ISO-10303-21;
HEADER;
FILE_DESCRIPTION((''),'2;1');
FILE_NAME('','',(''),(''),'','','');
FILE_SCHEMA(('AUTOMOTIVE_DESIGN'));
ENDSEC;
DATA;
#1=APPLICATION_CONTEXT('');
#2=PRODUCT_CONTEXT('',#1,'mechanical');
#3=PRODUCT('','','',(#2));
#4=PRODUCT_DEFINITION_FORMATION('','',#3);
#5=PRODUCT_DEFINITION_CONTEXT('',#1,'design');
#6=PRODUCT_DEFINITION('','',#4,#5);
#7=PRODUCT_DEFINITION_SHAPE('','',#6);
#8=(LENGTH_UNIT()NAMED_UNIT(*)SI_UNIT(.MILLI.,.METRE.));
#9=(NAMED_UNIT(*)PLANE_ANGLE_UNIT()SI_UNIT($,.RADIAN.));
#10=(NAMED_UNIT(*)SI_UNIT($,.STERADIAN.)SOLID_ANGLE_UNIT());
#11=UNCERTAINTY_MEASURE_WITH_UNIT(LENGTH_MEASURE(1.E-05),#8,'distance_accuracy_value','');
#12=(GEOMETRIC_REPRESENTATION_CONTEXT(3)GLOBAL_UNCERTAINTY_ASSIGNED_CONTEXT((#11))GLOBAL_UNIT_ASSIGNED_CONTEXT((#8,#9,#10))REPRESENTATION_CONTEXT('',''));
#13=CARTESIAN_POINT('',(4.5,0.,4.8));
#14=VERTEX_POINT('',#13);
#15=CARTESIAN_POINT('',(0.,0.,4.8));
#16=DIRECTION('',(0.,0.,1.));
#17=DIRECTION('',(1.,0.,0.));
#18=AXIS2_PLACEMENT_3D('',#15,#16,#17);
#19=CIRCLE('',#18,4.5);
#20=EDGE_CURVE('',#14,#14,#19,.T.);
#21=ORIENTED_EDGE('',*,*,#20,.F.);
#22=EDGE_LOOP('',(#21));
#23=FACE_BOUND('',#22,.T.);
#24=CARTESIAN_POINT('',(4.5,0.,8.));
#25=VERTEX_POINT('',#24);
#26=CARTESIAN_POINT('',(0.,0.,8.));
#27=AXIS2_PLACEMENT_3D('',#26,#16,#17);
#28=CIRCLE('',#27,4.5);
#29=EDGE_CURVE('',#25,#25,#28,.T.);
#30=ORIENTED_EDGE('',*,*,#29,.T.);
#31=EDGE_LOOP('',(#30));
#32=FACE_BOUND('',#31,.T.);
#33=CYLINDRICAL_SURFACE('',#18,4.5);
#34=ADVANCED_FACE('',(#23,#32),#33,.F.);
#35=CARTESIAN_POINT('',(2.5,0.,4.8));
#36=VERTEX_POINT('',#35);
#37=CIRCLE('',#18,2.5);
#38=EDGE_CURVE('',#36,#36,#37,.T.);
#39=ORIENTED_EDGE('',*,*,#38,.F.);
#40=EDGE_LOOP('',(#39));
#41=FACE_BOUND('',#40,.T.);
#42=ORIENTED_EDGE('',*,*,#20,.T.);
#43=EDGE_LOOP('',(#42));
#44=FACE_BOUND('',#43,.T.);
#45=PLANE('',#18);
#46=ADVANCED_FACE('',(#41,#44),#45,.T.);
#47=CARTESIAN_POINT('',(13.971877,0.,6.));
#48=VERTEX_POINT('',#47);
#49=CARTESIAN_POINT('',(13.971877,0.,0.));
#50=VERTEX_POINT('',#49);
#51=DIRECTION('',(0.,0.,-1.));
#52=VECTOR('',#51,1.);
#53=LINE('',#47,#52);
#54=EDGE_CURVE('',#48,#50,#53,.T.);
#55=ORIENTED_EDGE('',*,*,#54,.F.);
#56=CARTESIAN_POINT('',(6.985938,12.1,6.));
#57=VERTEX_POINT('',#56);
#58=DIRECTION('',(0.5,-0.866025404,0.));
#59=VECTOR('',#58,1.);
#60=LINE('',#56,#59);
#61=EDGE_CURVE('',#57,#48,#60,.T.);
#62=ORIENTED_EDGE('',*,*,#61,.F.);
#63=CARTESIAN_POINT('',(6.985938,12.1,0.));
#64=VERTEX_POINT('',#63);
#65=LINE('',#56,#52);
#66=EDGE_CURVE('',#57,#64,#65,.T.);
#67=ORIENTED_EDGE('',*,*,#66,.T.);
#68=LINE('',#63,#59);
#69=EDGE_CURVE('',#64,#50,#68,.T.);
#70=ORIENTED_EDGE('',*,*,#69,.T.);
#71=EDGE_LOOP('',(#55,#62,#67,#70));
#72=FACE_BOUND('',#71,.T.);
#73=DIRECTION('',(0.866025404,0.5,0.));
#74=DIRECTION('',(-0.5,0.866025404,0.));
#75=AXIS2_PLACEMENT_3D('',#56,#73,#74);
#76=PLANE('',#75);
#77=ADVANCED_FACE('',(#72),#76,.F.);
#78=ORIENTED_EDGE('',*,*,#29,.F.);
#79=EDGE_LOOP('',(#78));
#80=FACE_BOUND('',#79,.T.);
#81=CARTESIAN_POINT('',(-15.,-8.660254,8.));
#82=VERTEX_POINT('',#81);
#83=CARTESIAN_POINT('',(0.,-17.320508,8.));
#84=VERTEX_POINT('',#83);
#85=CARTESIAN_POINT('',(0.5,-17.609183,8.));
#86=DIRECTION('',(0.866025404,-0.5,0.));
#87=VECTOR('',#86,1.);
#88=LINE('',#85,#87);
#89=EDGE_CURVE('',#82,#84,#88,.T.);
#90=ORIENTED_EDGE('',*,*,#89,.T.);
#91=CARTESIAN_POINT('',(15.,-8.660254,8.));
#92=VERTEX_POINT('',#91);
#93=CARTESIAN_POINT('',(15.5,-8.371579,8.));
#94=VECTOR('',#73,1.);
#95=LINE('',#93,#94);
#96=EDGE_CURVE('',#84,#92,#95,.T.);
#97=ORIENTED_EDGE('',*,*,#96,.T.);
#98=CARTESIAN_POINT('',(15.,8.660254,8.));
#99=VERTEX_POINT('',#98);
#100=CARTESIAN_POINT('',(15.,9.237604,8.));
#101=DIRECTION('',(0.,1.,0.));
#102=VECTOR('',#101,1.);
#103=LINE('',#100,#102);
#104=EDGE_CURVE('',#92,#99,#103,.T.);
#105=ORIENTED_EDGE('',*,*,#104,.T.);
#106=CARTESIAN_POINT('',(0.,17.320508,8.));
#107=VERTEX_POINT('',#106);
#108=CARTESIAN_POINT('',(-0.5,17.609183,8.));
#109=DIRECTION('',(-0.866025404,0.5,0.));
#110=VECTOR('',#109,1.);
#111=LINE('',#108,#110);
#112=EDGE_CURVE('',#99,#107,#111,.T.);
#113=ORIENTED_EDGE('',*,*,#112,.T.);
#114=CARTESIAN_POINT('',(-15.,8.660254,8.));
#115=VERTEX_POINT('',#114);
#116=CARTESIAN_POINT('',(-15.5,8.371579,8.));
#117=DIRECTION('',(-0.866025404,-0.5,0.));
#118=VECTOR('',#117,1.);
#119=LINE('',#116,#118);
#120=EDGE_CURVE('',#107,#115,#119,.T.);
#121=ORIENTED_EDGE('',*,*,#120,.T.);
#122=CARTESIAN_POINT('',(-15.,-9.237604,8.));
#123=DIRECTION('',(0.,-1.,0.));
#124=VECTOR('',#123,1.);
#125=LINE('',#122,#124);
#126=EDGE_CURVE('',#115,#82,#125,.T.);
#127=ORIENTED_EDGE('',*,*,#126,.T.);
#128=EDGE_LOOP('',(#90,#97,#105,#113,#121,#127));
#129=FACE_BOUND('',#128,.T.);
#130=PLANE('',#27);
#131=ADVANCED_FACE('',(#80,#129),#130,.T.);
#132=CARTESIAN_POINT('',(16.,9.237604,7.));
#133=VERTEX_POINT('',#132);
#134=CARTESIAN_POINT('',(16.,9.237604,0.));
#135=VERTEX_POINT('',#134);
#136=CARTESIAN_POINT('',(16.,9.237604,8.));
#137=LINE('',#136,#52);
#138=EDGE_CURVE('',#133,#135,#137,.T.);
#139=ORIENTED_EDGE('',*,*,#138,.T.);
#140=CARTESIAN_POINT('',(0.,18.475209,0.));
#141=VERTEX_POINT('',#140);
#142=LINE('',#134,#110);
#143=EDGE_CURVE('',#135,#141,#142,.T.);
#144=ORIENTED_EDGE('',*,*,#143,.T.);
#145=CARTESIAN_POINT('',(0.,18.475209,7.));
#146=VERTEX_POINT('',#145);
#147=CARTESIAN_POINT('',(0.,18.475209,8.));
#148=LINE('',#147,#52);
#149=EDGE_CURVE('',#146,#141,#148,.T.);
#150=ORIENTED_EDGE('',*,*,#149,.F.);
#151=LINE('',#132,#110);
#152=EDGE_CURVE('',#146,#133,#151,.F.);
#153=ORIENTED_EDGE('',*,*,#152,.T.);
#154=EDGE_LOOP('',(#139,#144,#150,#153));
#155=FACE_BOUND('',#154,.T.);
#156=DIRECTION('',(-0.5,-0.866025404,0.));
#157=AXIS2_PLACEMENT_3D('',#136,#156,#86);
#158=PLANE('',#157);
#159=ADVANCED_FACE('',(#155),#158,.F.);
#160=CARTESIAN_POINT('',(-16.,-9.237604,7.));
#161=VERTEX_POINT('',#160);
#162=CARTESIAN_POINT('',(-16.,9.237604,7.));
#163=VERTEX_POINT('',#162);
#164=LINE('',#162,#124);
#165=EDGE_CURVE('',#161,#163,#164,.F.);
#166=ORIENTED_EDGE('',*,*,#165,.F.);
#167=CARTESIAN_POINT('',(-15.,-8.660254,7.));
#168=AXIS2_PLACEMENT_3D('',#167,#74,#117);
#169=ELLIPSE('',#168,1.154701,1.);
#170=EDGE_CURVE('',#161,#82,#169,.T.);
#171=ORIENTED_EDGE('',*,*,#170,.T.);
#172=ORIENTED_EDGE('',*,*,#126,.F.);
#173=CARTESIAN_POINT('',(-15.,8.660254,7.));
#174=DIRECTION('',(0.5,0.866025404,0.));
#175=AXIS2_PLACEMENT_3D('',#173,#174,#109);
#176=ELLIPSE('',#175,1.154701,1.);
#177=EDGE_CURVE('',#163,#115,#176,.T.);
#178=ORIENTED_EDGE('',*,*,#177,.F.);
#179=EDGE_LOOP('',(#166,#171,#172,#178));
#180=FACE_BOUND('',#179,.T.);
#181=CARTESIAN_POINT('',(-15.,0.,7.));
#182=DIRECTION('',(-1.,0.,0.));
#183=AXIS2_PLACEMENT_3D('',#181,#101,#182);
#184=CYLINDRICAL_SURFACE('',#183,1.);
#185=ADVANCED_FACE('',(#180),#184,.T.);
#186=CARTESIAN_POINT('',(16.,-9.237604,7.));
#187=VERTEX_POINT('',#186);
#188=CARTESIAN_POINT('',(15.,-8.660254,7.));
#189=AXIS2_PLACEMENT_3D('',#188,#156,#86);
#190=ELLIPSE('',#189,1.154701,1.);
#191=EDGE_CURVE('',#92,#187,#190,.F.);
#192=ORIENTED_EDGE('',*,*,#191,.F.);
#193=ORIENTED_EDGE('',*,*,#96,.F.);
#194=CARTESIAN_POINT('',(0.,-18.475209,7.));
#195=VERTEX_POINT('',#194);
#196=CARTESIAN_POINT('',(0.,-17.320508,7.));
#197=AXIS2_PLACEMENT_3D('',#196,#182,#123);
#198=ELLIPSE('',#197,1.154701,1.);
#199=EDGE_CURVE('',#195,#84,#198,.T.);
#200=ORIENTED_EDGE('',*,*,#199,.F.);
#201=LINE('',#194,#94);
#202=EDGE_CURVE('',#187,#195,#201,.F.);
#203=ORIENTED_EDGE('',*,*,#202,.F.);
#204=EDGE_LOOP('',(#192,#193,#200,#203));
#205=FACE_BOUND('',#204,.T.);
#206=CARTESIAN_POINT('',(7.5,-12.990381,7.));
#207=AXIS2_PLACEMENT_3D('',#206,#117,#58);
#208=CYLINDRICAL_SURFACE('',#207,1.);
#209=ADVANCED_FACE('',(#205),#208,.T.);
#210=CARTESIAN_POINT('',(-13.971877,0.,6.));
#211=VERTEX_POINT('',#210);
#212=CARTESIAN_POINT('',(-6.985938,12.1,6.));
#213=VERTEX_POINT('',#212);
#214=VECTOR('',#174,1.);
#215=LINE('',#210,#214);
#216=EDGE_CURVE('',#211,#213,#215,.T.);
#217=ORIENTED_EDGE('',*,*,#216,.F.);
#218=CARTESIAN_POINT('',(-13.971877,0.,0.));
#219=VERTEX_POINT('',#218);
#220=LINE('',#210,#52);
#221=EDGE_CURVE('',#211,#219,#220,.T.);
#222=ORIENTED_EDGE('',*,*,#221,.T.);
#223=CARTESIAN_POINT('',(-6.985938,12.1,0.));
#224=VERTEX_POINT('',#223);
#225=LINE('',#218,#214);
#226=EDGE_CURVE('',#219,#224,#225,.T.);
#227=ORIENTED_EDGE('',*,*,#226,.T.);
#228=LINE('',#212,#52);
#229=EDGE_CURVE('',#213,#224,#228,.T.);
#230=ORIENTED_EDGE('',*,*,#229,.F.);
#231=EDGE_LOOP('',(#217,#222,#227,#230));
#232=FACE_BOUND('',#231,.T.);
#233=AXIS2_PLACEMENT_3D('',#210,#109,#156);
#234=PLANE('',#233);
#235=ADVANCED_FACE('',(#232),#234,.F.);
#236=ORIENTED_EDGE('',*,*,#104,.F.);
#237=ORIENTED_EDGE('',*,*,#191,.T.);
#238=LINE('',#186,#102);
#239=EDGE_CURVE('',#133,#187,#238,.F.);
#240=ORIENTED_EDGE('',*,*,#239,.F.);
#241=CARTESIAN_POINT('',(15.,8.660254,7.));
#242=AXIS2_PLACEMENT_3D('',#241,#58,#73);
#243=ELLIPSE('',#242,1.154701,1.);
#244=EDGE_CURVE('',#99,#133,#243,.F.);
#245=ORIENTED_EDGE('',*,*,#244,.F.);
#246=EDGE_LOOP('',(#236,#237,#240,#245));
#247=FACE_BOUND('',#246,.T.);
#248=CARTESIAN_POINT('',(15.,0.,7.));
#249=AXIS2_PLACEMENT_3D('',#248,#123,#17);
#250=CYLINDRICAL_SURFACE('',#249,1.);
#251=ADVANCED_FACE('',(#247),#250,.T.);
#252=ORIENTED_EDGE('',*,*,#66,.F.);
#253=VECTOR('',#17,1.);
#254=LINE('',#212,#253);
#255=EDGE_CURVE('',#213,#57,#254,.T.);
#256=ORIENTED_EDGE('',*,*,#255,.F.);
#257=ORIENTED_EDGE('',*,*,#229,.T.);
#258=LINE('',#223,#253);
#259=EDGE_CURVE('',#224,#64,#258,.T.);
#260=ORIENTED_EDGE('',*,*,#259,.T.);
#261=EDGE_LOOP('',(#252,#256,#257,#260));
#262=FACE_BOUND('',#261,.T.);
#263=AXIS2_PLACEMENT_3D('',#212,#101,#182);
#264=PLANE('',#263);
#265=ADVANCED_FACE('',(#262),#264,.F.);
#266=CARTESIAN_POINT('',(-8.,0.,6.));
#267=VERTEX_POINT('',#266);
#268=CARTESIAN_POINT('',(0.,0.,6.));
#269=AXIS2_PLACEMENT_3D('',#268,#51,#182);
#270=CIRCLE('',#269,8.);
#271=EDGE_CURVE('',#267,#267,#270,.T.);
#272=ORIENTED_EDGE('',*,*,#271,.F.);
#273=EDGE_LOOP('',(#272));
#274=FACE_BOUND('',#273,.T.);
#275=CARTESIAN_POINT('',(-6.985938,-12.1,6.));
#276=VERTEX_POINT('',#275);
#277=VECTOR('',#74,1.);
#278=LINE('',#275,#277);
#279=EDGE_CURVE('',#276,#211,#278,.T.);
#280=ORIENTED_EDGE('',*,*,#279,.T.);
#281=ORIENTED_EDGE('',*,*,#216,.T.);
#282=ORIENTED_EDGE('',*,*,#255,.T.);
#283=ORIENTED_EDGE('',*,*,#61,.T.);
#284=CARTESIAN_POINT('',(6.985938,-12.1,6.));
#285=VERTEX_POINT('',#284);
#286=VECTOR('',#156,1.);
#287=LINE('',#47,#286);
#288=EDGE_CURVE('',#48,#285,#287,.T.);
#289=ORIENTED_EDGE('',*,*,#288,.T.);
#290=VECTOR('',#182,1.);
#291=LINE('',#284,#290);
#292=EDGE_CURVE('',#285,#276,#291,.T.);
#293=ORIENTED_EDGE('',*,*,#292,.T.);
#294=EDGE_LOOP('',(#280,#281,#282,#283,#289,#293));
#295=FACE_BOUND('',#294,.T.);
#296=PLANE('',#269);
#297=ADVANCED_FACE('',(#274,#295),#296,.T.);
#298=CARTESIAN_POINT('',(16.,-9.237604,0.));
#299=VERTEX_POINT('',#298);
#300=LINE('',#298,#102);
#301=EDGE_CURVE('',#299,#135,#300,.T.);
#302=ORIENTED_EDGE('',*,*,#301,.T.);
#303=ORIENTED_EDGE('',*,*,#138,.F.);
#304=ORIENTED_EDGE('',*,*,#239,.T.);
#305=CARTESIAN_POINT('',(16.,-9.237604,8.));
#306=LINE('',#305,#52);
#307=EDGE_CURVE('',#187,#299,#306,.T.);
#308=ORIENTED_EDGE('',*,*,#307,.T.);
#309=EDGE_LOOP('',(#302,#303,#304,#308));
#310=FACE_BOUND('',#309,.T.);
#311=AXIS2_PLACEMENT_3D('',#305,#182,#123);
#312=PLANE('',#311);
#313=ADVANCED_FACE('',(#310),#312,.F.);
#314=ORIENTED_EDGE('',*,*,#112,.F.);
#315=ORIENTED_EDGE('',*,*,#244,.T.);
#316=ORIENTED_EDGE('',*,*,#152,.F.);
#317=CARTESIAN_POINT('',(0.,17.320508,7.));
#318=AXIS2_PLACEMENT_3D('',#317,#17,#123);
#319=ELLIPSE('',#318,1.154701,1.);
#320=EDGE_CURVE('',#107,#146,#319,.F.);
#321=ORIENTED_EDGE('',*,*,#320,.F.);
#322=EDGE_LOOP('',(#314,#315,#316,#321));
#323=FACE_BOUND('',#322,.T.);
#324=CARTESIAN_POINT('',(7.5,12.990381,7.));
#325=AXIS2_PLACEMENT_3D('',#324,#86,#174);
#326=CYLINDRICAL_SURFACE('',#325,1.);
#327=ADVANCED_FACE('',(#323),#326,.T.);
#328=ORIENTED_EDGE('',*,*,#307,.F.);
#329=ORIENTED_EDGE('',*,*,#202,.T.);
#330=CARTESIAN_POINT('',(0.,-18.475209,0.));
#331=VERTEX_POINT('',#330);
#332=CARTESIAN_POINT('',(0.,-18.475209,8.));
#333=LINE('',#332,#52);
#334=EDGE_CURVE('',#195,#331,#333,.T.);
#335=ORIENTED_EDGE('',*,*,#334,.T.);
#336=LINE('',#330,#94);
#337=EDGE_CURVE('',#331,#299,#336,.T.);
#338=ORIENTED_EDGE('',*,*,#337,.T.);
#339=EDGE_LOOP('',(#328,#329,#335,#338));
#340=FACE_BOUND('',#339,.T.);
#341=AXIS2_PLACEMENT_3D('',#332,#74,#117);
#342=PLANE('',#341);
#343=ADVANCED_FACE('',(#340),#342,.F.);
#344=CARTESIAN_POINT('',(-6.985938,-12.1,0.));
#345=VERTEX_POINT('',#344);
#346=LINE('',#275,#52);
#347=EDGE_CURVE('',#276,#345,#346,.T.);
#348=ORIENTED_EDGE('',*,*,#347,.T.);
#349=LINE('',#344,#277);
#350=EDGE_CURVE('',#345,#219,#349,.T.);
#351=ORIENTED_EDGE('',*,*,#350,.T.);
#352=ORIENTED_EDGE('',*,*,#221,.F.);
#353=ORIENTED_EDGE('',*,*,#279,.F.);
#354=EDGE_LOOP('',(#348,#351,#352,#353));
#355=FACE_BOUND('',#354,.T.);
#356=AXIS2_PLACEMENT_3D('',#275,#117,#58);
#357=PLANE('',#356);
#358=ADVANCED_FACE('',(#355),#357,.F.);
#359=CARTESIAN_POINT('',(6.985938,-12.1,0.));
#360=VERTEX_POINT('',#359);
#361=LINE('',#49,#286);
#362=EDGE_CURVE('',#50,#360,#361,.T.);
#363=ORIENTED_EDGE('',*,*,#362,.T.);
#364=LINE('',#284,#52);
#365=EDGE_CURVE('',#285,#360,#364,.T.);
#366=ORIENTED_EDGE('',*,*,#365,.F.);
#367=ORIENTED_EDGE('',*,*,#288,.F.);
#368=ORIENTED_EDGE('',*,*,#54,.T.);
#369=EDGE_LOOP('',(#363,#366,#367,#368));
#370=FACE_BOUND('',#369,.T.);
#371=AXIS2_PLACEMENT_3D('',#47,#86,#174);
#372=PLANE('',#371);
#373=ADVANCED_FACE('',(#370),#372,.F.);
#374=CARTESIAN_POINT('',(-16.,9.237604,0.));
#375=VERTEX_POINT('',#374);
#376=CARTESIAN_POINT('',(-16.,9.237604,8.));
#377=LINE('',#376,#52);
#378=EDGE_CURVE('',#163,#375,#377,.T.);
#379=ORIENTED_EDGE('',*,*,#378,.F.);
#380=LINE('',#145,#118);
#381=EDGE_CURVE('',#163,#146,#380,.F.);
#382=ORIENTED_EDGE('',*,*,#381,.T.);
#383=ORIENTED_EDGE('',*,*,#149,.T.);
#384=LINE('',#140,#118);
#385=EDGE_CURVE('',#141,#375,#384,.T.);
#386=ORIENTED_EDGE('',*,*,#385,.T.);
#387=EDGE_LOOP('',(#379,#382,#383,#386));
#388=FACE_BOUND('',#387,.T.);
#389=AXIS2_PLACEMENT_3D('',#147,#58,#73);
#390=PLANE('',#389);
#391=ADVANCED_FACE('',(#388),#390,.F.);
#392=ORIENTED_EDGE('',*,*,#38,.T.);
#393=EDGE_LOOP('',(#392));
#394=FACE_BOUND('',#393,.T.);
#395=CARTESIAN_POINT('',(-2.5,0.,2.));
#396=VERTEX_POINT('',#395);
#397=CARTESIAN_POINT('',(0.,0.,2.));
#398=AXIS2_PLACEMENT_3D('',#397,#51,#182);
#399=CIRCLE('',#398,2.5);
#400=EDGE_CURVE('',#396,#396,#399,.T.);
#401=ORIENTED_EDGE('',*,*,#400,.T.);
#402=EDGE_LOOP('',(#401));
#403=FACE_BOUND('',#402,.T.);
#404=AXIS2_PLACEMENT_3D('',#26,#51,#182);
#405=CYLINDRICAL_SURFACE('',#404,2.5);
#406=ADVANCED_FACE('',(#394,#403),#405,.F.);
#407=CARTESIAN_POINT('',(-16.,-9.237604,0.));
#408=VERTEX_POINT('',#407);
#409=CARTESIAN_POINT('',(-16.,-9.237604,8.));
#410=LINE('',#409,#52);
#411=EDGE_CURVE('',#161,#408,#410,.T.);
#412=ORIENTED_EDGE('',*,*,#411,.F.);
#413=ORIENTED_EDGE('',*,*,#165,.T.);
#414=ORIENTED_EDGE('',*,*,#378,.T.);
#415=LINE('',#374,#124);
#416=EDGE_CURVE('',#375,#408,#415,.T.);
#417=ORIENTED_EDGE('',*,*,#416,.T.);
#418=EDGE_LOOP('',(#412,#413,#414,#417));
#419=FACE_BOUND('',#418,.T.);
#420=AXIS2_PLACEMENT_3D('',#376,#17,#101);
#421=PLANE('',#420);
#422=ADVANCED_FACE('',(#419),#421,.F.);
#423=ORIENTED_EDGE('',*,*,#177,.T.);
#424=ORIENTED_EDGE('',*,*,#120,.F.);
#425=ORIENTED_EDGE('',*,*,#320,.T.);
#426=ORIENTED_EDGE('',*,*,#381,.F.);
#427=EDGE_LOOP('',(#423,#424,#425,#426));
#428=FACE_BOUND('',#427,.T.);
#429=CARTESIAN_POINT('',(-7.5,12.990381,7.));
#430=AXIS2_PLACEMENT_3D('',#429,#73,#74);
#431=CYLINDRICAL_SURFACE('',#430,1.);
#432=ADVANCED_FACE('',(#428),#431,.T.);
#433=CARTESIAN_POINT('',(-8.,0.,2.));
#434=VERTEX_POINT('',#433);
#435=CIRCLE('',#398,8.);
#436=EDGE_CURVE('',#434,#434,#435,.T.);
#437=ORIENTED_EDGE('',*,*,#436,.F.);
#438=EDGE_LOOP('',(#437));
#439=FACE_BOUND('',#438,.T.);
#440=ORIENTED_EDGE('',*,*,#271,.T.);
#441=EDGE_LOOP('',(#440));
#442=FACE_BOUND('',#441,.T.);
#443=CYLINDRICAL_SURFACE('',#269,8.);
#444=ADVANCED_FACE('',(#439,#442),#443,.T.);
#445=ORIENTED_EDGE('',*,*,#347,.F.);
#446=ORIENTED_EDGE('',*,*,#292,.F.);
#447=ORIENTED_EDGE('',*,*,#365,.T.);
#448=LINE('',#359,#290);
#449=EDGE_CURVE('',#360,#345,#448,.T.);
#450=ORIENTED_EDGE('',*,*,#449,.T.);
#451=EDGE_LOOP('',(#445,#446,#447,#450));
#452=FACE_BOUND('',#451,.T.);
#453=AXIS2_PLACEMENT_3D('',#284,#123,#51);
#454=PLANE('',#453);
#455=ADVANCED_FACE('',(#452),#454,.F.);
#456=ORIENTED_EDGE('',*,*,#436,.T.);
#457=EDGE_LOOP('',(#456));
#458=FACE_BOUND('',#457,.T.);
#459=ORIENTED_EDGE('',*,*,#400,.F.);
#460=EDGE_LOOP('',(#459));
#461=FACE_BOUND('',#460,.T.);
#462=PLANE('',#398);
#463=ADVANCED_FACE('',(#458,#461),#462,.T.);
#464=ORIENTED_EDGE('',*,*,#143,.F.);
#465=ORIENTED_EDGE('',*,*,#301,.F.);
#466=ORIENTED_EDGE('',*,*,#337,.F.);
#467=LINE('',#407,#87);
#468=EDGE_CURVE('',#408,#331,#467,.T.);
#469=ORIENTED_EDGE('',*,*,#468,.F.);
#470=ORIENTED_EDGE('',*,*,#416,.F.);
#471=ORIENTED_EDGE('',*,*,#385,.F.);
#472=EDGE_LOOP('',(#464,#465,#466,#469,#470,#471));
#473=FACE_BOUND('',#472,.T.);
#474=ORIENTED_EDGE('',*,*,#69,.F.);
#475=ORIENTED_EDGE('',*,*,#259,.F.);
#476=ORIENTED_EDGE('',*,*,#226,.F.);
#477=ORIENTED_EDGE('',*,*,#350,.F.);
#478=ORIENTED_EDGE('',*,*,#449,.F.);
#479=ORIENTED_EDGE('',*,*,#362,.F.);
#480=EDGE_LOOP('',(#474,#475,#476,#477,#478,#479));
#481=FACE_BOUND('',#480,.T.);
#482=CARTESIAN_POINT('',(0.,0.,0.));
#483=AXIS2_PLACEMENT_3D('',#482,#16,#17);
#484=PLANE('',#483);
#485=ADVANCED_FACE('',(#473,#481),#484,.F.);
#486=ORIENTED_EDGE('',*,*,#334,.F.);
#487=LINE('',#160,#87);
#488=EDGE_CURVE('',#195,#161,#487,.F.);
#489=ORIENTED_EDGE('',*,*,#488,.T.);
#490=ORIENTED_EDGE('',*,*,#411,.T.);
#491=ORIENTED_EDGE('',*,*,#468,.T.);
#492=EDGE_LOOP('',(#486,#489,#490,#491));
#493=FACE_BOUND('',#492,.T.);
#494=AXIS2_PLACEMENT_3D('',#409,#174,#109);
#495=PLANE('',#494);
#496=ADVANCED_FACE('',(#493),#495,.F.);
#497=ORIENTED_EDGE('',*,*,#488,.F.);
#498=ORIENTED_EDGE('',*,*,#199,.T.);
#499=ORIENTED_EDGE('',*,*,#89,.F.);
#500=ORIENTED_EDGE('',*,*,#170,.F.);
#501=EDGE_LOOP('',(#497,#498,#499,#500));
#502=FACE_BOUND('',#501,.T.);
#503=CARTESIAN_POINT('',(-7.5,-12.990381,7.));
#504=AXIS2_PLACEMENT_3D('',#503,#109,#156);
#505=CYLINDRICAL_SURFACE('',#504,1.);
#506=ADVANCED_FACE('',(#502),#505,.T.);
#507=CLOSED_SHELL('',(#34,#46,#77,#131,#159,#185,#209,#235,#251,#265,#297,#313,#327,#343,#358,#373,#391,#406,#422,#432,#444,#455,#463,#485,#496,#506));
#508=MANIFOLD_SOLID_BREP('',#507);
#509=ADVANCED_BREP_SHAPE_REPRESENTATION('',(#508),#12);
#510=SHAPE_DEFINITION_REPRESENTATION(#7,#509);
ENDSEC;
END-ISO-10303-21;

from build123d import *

# Parameters (mm, degrees)
SKIZZE1_R                       = 2.5
AUFSATZ_LINEAR_AUSTRAGEN1_DEPTH = 8
SKIZZE2_R                       = 4.5
SCHNITT_LINEAR_AUSTRAGEN1_DEPTH = 3.2
SKIZZE3_R                       = 8
SCHNITT_LINEAR_AUSTRAGEN2_DEPTH = 6
VERRUNDUNG1_R                   = 1
SKIZZE10_R                      = 8
SCHNITT_LINEAR_AUSTRAGEN3_DEPTH = 2


with BuildPart() as part:
    # Skizze1 → Aufsatz-Linear austragen1 (new body)
    with BuildSketch(Plane.XY):
        Polygon((16, 9.237604307), (0, 18.475208614), (-16, 9.237604307), (-16, -9.237604307), (0, -18.475208614), (16, -9.237604307), align=None)
        Circle(SKIZZE1_R, mode=Mode.SUBTRACT)
    extrude(amount=AUFSATZ_LINEAR_AUSTRAGEN1_DEPTH)

    # Skizze2 → Schnitt-Linear austragen1 (cut)
    with BuildSketch(Plane.XY.offset(8)):
        Circle(SKIZZE2_R)
    extrude(amount=-SCHNITT_LINEAR_AUSTRAGEN1_DEPTH, mode=Mode.SUBTRACT)

    # Skizze3 → Schnitt-Linear austragen2 (cut)
    with BuildSketch(Plane(origin=(0, 0, 0), x_dir=(-1, 0, 0), z_dir=(0, 0, -1))):
        Polygon((13.971876514, 0), (6.985938257, 12.1), (-6.985938257, 12.1), (-13.971876514, 0), (-6.985938257, -12.1), (6.985938257, -12.1), align=None)
        Circle(SKIZZE3_R, mode=Mode.SUBTRACT)
    extrude(amount=-SCHNITT_LINEAR_AUSTRAGEN2_DEPTH, mode=Mode.SUBTRACT)

    # Verrundung1
    verrundung1_edges = [part.edges().sort_by_distance(p)[0] for p in [
        (-8, 13.856406461, 8),
        (-16, 0, 8),
        (-8, -13.856406461, 8),
        (8, -13.856406461, 8),
        (16, 0, 8),
        (8, 13.856406461, 8),
    ]]
    fillet(verrundung1_edges, radius=VERRUNDUNG1_R)

    # Skizze10 → Schnitt-Linear austragen3 (cut)
    with BuildSketch(Plane(origin=(0, 0, 0), x_dir=(-1, 0, 0), z_dir=(0, 0, -1))):
        Circle(SKIZZE10_R)
    extrude(amount=-SCHNITT_LINEAR_AUSTRAGEN3_DEPTH, mode=Mode.SUBTRACT)


solid = part.part
